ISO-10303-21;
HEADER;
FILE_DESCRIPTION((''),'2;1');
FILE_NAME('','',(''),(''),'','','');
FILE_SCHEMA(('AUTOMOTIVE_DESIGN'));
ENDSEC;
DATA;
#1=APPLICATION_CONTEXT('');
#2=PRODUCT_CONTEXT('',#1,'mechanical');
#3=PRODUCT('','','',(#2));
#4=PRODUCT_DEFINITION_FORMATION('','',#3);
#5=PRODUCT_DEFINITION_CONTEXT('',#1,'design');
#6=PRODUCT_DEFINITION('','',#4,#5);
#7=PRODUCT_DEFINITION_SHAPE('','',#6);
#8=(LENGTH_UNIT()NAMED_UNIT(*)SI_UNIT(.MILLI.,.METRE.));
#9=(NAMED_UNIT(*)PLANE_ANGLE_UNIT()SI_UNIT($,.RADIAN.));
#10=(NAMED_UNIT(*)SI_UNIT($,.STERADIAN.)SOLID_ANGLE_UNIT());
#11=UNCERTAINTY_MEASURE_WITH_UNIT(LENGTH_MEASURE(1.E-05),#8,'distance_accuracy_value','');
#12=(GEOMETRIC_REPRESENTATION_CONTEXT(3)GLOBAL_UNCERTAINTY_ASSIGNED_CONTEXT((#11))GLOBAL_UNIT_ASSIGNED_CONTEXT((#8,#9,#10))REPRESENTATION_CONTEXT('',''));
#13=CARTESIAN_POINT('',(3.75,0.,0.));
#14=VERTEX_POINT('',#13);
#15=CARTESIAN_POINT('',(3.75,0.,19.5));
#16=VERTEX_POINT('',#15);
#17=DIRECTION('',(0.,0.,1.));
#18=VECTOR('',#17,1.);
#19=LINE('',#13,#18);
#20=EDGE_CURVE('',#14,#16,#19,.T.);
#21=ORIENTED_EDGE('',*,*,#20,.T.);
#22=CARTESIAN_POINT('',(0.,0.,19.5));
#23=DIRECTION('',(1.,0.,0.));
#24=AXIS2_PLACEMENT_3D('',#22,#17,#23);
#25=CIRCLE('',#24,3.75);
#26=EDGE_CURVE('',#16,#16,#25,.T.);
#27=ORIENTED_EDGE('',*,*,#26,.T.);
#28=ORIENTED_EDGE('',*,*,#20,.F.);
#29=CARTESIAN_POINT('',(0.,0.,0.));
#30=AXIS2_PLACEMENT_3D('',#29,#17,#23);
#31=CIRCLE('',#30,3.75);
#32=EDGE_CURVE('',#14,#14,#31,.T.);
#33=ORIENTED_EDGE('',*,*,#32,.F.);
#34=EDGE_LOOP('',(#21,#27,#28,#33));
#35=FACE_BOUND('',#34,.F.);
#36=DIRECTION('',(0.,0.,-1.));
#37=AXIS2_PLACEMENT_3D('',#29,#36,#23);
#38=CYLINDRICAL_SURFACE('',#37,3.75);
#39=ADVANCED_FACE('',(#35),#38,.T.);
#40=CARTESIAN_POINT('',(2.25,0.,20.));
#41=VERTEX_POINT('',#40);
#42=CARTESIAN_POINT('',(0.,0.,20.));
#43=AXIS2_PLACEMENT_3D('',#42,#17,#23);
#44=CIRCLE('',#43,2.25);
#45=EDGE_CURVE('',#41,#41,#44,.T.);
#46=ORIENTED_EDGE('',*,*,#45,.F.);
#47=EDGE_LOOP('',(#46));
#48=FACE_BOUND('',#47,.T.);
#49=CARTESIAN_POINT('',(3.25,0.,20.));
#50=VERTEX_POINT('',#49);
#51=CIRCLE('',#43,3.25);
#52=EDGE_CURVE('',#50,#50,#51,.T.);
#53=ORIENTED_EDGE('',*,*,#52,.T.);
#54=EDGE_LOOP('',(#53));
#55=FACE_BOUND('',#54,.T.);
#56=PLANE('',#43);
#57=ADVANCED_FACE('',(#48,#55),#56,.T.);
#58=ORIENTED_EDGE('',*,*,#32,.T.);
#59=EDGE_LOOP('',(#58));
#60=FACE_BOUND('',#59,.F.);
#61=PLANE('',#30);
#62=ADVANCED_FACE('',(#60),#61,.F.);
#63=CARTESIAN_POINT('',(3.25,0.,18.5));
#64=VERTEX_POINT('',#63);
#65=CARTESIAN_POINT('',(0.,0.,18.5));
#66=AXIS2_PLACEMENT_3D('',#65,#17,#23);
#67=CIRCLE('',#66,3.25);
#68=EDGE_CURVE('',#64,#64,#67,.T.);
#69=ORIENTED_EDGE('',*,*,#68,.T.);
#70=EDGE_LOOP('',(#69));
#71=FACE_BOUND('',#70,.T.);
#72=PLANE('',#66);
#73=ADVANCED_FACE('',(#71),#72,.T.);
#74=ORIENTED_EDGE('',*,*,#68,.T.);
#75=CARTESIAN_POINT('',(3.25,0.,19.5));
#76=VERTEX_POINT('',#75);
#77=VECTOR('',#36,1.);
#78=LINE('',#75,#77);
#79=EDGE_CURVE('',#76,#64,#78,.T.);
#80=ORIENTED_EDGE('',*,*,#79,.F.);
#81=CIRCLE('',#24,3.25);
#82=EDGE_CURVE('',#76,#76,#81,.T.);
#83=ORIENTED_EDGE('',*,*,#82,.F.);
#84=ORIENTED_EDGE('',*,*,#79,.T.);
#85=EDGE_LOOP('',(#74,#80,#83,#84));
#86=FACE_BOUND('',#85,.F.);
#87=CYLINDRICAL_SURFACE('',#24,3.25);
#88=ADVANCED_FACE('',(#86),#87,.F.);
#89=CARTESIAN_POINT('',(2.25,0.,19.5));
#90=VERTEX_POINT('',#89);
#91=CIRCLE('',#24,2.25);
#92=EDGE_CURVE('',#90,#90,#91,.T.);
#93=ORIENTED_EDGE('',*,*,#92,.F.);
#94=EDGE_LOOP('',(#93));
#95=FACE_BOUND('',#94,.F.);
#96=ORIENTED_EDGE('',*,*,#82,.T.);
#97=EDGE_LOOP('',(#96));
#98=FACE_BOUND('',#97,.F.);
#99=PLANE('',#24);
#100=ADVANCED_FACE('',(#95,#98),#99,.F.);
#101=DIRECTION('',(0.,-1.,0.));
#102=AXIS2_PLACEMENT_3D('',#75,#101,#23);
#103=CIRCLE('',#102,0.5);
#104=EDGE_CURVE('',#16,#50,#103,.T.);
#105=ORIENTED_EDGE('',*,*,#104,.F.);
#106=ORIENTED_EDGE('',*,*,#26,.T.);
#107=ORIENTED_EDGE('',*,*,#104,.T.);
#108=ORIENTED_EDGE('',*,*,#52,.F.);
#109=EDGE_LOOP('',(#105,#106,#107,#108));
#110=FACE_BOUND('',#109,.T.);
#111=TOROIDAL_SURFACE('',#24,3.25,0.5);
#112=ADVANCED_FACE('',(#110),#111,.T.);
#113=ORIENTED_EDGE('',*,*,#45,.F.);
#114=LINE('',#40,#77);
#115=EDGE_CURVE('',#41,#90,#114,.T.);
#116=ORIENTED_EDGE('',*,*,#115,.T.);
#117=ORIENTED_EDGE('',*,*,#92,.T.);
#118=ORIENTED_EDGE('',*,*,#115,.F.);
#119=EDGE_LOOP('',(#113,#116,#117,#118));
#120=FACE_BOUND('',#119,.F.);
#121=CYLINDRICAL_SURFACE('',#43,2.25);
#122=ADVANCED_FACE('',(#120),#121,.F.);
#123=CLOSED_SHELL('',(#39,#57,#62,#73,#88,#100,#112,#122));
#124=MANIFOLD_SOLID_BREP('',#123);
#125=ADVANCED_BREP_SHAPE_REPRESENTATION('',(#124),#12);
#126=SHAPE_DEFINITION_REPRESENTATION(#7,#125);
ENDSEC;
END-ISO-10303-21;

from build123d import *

# Parameters (mm, degrees)
SKETCH053_R     = 3.75
PAD026_DEPTH    = 20
SKETCH054_R     = 2.25
POCKET018_DEPTH = 0.5
SKETCH050_R     = 3.25
POCKET016_DEPTH = 1
FILLET007_R     = 0.5


with BuildPart() as part:
    # Sketch053 → Pad026 (new body)
    with BuildSketch(Plane.XY):
        Circle(SKETCH053_R)
    extrude(amount=PAD026_DEPTH)

    # Sketch054 (on Face3 of Pad026) → Pocket018 (cut)
    with BuildSketch(Plane.XY.offset(20)):
        Circle(SKETCH054_R)
    extrude(amount=-POCKET018_DEPTH, mode=Mode.SUBTRACT)

    # Sketch050 (on Face5 of Pocket018) → Pocket016 (cut)
    with BuildSketch(Plane.XY.offset(19.5)):
        Circle(SKETCH050_R)
    extrude(amount=-POCKET016_DEPTH, mode=Mode.SUBTRACT)

    # Fillet007
    fillet007_edges = [part.edges().sort_by_distance(p)[0] for p in [
        (-3.75, 0, 20),
    ]]
    fillet(fillet007_edges, radius=FILLET007_R)


solid = part.part
